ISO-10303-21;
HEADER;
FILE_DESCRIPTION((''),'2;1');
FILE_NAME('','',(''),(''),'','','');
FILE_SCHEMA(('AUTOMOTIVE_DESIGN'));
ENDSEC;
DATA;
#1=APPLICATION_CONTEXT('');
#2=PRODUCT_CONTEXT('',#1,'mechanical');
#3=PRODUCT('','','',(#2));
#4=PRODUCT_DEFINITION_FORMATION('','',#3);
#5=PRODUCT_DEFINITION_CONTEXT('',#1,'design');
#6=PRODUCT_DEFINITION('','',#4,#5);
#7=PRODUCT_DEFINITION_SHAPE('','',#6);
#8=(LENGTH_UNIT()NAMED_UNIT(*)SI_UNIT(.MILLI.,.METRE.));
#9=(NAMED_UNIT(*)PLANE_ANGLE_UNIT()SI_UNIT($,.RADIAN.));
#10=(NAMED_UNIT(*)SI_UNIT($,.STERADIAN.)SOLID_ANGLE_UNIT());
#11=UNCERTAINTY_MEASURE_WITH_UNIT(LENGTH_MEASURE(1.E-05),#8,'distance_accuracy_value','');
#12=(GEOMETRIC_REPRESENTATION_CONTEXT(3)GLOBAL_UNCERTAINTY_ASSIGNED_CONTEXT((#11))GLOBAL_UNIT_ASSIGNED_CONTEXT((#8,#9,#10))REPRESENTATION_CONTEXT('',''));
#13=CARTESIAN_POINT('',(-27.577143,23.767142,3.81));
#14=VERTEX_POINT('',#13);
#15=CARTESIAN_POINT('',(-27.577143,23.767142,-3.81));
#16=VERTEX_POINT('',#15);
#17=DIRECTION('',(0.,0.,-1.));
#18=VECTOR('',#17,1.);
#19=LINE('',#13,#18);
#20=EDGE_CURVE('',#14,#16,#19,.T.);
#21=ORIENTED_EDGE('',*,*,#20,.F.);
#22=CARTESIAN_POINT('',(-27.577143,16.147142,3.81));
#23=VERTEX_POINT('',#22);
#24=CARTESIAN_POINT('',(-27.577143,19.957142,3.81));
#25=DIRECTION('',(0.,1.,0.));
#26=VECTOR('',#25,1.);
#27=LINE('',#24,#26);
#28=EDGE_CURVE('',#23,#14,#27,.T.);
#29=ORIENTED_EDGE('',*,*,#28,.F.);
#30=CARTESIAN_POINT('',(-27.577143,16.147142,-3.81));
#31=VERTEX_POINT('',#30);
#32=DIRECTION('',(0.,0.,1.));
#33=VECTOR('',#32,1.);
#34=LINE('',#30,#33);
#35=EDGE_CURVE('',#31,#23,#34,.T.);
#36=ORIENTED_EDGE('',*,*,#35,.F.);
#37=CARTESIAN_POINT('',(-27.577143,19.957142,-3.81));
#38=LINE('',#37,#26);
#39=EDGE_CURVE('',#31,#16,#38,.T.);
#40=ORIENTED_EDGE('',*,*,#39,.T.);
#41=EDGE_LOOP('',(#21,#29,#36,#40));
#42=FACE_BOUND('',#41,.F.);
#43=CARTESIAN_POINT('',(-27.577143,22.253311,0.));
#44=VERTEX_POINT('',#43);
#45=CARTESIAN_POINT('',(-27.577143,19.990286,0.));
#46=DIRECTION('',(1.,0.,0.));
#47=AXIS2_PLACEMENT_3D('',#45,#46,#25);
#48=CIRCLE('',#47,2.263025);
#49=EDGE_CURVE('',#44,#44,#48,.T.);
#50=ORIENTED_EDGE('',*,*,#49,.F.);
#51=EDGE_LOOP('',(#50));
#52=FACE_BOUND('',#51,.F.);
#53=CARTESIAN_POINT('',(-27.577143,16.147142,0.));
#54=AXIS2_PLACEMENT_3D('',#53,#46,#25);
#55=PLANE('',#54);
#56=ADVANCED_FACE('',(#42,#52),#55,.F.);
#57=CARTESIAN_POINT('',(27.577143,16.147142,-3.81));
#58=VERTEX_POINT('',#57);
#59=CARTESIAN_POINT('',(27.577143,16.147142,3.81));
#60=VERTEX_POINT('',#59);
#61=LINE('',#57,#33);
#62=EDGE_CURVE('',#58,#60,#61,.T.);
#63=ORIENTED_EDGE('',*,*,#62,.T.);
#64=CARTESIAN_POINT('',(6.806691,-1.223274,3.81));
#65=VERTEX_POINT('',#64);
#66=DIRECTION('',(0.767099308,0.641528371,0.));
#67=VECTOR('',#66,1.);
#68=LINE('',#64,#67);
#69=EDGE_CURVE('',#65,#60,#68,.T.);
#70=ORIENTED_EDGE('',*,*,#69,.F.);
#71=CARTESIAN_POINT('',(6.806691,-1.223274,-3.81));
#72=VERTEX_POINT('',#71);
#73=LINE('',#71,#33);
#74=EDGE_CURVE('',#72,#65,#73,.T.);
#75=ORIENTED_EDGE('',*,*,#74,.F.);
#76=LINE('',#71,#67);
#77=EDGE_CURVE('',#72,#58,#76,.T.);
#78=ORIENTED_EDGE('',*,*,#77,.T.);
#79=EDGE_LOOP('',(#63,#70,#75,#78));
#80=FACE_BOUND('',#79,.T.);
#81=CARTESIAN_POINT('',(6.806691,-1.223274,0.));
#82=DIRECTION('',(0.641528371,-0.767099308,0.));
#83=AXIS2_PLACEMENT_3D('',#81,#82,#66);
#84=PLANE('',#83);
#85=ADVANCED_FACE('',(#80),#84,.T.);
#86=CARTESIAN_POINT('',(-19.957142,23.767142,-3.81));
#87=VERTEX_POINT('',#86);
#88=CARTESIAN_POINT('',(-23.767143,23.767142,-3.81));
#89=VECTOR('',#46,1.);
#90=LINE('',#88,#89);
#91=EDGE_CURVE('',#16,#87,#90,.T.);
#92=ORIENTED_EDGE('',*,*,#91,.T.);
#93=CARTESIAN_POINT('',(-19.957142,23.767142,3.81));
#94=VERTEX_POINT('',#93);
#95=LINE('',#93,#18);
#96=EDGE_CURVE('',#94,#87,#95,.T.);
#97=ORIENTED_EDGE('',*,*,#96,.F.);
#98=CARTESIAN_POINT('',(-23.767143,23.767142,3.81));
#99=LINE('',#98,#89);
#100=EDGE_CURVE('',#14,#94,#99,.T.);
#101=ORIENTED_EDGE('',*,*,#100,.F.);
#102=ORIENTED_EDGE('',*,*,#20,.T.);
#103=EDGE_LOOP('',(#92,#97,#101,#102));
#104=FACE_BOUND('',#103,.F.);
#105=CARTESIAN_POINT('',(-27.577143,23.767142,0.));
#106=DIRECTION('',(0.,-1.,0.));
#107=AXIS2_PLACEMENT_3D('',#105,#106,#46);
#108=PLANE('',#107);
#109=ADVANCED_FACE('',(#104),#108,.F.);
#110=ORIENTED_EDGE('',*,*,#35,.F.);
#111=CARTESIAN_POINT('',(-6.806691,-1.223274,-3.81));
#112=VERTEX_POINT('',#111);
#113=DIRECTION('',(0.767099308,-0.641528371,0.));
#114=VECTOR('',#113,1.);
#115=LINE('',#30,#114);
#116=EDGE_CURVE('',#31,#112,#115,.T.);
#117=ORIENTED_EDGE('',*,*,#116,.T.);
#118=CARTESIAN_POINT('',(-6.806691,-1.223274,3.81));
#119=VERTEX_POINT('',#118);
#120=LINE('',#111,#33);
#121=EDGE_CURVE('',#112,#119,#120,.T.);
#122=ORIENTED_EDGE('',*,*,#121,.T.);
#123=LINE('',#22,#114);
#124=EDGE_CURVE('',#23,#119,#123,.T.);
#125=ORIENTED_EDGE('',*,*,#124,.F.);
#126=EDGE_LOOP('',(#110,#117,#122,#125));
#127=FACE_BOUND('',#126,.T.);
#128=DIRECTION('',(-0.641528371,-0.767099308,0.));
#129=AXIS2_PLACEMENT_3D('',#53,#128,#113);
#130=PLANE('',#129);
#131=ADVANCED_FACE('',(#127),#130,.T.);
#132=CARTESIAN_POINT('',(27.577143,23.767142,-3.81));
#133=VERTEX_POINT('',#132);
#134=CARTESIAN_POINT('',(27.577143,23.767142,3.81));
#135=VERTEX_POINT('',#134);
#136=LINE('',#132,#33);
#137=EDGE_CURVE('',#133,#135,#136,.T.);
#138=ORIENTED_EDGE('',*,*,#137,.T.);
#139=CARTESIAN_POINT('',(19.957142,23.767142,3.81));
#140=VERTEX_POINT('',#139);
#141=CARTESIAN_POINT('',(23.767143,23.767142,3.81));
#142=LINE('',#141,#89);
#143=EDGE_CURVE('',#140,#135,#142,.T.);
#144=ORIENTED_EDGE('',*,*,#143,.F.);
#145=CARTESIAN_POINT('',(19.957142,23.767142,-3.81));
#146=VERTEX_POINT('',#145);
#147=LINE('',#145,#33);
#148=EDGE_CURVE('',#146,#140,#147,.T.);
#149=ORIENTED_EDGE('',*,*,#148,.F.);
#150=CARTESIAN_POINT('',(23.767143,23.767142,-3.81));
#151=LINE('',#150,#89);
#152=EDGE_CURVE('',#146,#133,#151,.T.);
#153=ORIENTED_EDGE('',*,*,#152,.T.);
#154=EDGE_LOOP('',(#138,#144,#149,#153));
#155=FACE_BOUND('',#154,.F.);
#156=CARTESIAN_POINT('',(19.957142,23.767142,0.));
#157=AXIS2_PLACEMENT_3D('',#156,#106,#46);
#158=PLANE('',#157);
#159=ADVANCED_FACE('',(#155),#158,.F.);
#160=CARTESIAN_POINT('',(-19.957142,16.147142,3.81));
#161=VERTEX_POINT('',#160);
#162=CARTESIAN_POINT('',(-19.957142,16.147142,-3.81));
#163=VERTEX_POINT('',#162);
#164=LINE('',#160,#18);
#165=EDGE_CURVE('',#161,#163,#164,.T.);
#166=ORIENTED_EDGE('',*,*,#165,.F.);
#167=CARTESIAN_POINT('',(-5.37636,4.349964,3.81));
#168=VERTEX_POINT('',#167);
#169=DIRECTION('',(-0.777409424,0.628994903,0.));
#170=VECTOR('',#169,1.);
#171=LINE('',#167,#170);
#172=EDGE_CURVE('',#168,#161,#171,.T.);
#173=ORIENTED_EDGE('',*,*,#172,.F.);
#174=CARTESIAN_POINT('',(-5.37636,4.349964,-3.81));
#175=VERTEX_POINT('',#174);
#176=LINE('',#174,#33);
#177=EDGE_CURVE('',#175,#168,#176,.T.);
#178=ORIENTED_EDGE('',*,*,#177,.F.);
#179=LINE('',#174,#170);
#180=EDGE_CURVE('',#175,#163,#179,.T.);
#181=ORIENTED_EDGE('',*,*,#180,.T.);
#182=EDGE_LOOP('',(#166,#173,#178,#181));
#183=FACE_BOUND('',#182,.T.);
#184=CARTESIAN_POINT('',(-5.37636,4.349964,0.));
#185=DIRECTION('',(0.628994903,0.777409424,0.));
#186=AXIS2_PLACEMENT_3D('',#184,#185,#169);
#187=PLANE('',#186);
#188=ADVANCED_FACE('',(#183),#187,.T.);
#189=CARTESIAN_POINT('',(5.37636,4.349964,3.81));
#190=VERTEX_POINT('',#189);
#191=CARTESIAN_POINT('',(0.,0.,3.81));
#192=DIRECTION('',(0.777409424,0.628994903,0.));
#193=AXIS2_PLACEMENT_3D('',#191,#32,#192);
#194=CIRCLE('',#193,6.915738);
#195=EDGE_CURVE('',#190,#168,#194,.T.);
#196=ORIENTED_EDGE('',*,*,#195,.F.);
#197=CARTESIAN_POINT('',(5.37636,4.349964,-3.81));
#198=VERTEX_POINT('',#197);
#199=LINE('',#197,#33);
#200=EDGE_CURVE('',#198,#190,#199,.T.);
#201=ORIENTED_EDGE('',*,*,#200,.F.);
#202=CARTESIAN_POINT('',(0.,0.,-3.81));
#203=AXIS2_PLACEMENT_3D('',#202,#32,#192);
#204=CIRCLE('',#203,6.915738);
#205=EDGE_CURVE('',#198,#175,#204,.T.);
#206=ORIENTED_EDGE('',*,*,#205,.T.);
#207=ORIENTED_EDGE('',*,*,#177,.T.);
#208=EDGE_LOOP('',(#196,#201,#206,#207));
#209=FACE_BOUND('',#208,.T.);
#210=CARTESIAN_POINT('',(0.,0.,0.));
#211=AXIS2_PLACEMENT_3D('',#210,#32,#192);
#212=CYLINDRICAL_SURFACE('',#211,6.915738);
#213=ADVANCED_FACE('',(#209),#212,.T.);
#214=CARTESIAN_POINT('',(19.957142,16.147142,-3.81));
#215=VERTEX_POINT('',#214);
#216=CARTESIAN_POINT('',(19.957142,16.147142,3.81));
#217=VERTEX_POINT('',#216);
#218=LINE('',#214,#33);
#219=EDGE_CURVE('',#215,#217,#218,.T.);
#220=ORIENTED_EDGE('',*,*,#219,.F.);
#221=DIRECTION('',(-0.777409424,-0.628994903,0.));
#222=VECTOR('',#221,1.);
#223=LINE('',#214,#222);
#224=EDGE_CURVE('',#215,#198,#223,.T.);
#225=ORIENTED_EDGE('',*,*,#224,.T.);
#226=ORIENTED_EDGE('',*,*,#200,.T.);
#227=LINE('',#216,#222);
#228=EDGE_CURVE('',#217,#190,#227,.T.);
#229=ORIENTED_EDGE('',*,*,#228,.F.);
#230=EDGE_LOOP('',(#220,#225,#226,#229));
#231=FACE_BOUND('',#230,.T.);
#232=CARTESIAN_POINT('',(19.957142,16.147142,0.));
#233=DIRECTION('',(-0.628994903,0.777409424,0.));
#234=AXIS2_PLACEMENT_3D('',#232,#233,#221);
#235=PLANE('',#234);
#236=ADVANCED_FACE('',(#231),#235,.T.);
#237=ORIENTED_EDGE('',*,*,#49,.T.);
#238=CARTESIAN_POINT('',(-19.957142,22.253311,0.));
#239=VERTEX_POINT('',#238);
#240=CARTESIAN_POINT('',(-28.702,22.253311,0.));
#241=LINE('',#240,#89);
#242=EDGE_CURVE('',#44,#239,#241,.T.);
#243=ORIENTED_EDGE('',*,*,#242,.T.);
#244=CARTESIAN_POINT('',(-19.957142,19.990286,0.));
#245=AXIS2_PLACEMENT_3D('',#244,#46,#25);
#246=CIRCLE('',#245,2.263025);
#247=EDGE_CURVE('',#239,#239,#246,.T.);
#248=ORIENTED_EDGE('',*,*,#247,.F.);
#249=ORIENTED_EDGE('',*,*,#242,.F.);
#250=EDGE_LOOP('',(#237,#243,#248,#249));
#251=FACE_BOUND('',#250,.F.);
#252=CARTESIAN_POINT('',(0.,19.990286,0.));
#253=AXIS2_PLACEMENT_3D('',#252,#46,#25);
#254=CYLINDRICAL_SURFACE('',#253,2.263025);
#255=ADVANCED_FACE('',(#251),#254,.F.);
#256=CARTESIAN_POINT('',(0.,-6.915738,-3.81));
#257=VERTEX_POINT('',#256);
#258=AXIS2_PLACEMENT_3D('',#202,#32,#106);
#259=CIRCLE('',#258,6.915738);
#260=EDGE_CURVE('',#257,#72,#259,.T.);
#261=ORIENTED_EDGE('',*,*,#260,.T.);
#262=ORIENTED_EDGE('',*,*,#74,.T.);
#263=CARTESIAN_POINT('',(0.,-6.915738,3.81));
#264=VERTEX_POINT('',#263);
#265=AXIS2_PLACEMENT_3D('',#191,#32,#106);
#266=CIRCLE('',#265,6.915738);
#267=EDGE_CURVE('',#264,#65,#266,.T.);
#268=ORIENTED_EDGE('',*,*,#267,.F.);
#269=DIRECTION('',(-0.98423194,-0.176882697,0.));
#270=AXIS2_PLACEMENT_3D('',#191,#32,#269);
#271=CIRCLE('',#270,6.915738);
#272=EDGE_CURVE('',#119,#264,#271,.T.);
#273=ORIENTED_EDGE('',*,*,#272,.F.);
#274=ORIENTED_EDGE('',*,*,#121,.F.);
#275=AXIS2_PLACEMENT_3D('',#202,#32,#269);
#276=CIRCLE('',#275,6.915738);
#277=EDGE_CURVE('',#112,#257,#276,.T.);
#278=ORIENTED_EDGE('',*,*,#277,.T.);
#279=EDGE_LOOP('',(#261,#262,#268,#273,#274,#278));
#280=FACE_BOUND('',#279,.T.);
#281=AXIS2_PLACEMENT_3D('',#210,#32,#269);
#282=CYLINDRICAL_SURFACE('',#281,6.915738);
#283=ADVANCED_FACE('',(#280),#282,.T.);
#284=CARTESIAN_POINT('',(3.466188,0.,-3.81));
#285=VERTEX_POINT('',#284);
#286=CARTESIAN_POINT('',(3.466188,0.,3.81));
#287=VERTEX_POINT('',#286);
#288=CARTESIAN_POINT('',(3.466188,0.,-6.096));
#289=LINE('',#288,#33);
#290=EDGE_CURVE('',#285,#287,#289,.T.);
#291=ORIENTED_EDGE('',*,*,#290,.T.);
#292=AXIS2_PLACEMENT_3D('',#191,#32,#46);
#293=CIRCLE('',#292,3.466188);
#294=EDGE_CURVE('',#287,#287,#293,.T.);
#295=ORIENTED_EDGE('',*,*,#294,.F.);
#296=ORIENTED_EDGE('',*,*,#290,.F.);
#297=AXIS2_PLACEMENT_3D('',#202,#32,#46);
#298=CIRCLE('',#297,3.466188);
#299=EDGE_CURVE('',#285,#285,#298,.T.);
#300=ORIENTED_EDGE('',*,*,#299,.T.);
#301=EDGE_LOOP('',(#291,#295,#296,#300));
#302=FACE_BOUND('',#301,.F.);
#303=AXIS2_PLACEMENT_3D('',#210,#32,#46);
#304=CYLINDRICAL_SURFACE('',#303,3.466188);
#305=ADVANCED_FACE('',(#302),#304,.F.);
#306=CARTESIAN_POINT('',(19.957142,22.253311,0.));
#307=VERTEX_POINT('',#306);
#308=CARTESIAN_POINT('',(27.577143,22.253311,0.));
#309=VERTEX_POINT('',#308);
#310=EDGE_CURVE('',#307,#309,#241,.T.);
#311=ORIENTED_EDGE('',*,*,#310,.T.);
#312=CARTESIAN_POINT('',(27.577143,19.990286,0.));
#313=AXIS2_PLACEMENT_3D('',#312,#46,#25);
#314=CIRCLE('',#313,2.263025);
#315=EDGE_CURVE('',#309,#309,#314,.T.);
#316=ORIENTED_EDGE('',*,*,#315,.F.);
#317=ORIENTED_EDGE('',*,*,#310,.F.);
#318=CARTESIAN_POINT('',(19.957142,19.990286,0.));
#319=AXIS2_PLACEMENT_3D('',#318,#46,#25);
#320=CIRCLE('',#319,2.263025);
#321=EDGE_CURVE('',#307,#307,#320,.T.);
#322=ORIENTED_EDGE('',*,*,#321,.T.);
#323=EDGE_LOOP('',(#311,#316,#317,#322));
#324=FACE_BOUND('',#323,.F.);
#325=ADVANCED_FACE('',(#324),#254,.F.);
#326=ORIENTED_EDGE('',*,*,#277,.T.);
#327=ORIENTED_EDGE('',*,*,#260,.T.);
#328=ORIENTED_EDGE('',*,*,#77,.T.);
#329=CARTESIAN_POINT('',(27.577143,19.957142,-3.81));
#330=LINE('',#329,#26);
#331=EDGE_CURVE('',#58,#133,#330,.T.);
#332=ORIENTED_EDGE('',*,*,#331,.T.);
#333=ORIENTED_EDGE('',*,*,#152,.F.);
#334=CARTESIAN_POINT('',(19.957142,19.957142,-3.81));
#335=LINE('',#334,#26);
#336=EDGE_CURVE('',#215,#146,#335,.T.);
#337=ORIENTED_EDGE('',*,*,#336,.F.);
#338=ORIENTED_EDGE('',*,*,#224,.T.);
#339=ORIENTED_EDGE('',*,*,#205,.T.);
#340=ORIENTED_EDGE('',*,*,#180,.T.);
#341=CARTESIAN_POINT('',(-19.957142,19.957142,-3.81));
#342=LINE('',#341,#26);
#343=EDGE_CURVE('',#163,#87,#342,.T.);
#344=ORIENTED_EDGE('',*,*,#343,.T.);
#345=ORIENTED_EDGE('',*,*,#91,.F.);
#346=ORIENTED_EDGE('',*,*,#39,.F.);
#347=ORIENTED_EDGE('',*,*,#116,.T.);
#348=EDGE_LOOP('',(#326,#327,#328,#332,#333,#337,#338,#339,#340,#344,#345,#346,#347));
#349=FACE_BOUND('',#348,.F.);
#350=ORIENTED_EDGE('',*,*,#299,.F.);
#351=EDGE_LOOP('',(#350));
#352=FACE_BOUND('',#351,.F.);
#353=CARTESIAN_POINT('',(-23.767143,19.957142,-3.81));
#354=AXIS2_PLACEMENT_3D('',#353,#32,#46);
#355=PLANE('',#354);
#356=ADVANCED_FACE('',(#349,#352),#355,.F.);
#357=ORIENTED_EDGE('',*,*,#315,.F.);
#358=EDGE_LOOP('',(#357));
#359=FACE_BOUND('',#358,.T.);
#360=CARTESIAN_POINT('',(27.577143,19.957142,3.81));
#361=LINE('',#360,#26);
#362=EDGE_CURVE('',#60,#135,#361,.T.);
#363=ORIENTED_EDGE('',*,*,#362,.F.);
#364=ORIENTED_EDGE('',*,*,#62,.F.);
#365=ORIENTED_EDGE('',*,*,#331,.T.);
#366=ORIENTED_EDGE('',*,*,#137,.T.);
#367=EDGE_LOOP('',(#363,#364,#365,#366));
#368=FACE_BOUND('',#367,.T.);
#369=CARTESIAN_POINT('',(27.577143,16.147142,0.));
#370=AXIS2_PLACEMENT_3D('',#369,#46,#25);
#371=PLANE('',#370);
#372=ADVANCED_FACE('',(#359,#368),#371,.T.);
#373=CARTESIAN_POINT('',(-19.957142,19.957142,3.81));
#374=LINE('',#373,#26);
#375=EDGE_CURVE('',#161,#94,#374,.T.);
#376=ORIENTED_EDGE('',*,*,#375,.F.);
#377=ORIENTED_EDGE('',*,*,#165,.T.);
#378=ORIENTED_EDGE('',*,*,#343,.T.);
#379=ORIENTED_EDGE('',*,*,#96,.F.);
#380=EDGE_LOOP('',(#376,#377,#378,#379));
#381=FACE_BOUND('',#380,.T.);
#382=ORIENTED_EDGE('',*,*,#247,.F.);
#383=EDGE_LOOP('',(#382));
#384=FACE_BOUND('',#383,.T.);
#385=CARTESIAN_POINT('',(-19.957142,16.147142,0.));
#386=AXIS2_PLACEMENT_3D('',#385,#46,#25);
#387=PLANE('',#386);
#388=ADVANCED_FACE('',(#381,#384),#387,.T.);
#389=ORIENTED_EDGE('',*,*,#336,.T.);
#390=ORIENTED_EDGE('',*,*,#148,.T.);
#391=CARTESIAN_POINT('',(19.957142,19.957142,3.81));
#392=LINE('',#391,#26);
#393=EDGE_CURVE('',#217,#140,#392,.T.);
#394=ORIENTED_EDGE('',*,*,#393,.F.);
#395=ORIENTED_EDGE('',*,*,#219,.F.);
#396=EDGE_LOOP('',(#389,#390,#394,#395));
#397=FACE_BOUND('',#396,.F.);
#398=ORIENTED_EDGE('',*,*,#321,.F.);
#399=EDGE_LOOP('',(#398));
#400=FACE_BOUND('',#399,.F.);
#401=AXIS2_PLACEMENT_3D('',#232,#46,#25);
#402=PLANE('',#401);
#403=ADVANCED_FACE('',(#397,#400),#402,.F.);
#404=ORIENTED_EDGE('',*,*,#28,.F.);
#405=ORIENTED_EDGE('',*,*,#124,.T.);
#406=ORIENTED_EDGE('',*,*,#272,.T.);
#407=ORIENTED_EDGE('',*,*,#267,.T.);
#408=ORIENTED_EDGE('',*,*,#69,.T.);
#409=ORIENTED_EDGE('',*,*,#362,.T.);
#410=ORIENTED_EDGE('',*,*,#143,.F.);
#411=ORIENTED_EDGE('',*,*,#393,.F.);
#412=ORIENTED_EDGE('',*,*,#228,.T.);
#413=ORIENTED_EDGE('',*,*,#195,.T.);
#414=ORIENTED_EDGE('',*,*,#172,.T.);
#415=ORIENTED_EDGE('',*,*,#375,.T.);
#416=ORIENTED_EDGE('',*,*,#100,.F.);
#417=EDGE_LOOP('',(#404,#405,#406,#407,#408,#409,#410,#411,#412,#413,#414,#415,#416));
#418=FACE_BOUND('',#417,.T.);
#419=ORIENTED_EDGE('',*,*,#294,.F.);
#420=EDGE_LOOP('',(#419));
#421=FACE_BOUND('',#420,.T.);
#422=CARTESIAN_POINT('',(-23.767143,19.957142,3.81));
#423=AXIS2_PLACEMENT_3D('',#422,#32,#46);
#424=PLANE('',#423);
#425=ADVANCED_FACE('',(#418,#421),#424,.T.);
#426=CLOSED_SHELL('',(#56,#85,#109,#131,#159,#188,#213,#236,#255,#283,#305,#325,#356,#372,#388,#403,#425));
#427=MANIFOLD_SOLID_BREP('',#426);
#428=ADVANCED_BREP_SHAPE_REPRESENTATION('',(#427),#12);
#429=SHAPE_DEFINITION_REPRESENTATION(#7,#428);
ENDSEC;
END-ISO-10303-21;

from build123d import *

# Parameters (mm, degrees)
F0_W     = 7.6200012118
F0_H     = 7.6199993491
F1_DEPTH = 3.81
F2_R     = 2.2630247345
F3_DEPTH = 28.702
F4_R     = 3.4661876641
F5_DEPTH = 6.096


with BuildPart() as f1:
    # F0 (on Top) → F1 (new body, symmetric)
    with BuildSketch(Plane.XY):
        with Locations((-23.7671425566, 19.9571419507)):
            Rectangle(F0_W, F0_H)
        with Locations((23.7671425566, 19.9571419507)):
            Rectangle(F0_W, F0_H)
        with BuildLine():
            ThreePointArc((-6.8066905284, -1.2232744461), (-6.6986512028, 1.719159208), (-5.3763601299, 4.3499641462))
            Line((-5.3763601299, 4.3499641462), (-19.9571419507, 16.1471422762))
            Line((-19.9571419507, 16.1471422762), (-27.5771431625, 16.1471422762))
            Line((-27.5771431625, 16.1471422762), (-6.8066905284, -1.2232744461))
        make_face()
        with BuildLine():
            ThreePointArc((5.3763601299, 4.3499641462), (6.5195450768, 2.3071558921), (6.9157383062, 0))
            ThreePointArc((6.9157383062, 0), (6.8884224154, -0.6140626573), (6.8066905284, -1.2232744461))
            Line((6.8066905284, -1.2232744461), (27.5771431625, 16.1471422762))
            Line((27.5771431625, 16.1471422762), (19.9571419507, 16.1471422762))
            Line((19.9571419507, 16.1471422762), (5.3763601299, 4.3499641462))
        make_face()
        with BuildLine():
            Line((0, 0), (5.3763601299, 4.3499641462))
            ThreePointArc((5.3763601299, 4.3499641462), (0, 6.9157383062), (-5.3763601299, 4.3499641462))
            Line((-5.3763601299, 4.3499641462), (0, 0))
        make_face()
        with BuildLine():
            ThreePointArc((0, -6.9157383062), (4.4366423325, -5.3050580706), (6.8066905284, -1.2232744461))
            Line((6.8066905284, -1.2232744461), (0, -6.9157383062))
        make_face()
        with BuildLine():
            ThreePointArc((-6.8066905284, -1.2232744461), (-4.4366423325, -5.3050580706), (0, -6.9157383062))
            Line((0, -6.9157383062), (-6.8066905284, -1.2232744461))
        make_face()
        with BuildLine():
            ThreePointArc((6.8066905284, -1.2232744461), (6.8884224154, -0.6140626573), (6.9157383062, 0))
            ThreePointArc((6.9157383062, 0), (6.5195450768, 2.3071558921), (5.3763601299, 4.3499641462))
            Line((5.3763601299, 4.3499641462), (0, 0))
            Line((0, 0), (-5.3763601299, 4.3499641462))
            ThreePointArc((-5.3763601299, 4.3499641462), (-6.6986512028, 1.719159208), (-6.8066905284, -1.2232744461))
            Line((-6.8066905284, -1.2232744461), (0, -6.9157383062))
            Line((0, -6.9157383062), (6.8066905284, -1.2232744461))
        make_face()
    extrude(amount=F1_DEPTH, both=True)

    # F2 (on Right) → F3 (cut, symmetric)
    with BuildSketch(Plane.YZ):
        with Locations((19.9902858585, 0)):
            Circle(F2_R)
    extrude(amount=F3_DEPTH, both=True, mode=Mode.SUBTRACT)

    # F4 (on Top) → F5 (cut, symmetric)
    with BuildSketch(Plane.XY):
        Circle(F4_R)
    extrude(amount=F5_DEPTH, both=True, mode=Mode.SUBTRACT)


solid = f1.part
